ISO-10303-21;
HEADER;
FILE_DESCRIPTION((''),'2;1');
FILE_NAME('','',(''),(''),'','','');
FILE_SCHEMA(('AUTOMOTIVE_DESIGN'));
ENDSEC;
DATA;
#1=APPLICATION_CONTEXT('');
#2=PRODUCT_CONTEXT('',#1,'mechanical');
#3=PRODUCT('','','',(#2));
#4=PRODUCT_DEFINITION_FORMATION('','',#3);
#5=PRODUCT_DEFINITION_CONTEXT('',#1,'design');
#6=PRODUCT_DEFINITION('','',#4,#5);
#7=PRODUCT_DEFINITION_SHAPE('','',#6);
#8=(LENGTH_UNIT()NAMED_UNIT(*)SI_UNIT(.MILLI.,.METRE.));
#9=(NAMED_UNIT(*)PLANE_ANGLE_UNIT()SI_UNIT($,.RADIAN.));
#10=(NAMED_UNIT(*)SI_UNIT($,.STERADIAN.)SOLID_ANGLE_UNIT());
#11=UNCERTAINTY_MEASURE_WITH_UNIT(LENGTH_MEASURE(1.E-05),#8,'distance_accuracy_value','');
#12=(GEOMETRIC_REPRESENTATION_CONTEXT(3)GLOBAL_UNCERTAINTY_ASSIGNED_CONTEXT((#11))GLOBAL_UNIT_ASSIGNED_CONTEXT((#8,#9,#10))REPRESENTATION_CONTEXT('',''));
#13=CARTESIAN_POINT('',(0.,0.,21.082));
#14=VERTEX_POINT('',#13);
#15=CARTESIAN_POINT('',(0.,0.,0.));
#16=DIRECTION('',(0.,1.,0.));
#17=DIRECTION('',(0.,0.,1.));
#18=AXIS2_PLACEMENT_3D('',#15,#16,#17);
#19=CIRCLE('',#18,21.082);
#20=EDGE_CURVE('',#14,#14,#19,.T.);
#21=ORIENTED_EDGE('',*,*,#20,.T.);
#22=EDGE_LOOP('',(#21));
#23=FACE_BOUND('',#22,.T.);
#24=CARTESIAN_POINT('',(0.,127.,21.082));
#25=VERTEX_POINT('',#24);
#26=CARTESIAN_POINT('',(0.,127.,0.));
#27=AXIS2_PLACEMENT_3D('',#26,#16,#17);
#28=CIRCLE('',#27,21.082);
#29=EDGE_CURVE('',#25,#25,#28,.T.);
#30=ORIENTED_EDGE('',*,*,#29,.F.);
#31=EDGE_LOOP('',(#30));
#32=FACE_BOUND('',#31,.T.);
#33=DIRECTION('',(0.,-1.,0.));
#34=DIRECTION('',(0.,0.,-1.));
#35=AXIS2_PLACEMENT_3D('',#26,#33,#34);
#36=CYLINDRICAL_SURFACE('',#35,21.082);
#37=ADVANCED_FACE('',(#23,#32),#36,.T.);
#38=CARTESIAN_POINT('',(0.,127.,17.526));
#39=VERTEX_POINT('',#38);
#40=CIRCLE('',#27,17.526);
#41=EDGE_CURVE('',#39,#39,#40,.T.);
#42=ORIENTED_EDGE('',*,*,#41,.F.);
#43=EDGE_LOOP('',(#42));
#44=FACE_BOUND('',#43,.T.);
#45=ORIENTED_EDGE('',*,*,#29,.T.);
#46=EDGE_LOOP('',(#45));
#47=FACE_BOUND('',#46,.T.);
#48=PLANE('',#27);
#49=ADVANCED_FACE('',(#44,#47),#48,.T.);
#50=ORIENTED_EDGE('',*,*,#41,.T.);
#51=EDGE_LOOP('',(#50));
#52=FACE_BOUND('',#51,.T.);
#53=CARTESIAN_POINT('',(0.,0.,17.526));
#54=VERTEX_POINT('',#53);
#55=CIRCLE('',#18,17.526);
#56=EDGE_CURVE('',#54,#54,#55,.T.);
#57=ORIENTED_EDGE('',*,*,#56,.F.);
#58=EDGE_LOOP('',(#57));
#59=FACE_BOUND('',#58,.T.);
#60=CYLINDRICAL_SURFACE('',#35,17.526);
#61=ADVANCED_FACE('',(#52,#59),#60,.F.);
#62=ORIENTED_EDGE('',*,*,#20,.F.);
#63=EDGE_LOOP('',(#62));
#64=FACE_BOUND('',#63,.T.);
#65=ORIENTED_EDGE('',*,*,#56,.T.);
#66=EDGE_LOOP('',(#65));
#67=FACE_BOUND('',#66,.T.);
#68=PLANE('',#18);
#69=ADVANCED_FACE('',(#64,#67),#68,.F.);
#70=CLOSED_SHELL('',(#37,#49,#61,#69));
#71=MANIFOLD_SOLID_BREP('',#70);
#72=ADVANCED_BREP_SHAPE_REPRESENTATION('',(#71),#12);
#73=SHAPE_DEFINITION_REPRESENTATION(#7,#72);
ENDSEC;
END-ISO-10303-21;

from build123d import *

# Parameters (mm, degrees)
SKETCH1_R           = 21.082
SKETCH1_R_2         = 17.526
BOSS_EXTRUDE1_DEPTH = 127


with BuildPart() as part:
    # Sketch1 → Boss-Extrude1 (new body)
    with BuildSketch(Plane(origin=(0, 0, 0), x_dir=(1, 0, 0), z_dir=(0, 1, 0))):
        Circle(SKETCH1_R)
        Circle(SKETCH1_R_2, mode=Mode.SUBTRACT)
    extrude(amount=BOSS_EXTRUDE1_DEPTH)


solid = part.part
